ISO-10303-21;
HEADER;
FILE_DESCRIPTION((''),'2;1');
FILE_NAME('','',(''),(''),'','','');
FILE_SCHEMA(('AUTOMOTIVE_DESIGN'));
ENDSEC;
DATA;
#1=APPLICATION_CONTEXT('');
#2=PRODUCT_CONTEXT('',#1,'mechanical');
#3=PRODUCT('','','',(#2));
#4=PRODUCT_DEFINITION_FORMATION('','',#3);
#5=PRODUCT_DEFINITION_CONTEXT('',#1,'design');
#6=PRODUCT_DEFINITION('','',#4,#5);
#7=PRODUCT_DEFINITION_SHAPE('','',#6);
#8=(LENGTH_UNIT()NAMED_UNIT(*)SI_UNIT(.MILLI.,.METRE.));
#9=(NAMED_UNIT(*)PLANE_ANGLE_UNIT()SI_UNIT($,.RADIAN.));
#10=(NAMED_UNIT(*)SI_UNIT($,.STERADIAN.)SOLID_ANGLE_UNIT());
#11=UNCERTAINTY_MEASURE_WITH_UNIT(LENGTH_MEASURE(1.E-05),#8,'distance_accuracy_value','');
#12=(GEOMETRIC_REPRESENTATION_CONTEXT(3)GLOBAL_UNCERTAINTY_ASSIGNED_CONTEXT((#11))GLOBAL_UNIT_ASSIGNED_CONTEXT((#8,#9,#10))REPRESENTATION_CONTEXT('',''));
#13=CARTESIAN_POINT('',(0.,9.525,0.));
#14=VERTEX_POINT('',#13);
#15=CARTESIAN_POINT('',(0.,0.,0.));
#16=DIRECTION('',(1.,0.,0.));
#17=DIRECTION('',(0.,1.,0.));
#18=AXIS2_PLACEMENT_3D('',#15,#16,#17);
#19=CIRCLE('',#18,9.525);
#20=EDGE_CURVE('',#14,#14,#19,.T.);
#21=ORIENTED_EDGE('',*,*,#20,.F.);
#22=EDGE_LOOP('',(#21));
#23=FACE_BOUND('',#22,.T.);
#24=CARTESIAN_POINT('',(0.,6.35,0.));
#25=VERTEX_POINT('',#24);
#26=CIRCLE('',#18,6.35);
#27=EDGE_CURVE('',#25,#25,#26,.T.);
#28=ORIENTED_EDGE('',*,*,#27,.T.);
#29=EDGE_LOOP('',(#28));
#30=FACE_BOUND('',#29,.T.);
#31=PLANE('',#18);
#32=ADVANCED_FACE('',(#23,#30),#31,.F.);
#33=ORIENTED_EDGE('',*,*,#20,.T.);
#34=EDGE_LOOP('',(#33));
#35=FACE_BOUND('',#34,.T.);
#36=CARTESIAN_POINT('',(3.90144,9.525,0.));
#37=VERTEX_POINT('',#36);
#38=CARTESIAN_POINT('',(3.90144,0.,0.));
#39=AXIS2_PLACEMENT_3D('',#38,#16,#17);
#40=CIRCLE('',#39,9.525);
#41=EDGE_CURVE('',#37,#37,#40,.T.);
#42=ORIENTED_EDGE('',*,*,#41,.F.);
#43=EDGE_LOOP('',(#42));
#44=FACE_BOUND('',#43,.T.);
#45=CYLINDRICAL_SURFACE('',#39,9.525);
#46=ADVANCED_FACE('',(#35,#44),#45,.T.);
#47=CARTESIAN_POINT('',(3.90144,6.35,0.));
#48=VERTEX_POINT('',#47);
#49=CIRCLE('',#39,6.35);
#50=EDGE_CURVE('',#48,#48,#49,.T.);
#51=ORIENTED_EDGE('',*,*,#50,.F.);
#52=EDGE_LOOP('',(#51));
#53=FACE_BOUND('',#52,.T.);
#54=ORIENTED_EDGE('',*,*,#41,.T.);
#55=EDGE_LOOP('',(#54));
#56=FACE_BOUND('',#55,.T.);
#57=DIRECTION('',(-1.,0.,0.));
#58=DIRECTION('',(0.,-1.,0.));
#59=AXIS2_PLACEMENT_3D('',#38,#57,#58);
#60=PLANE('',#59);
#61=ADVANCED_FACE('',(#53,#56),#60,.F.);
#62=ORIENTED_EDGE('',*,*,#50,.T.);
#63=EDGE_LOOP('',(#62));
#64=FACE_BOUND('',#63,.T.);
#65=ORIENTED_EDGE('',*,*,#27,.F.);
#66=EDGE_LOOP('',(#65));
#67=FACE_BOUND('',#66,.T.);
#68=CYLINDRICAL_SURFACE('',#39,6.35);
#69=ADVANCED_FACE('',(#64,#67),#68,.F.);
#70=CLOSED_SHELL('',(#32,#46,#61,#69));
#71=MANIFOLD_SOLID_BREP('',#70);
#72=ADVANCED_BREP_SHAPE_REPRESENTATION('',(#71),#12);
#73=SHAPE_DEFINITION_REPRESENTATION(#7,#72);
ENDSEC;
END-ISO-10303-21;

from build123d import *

# Parameters (mm, degrees)
SKETCH1_W = 3.90144
SKETCH1_H = 3.175


with BuildPart() as part:
    # Sketch1 → Revolve1 (revolve)
    with BuildSketch(Plane.XY):
        with Locations((1.95072, 7.9375)):
            Rectangle(SKETCH1_W, SKETCH1_H)
    revolve(axis=Axis((3.90144, 0, 0), (-1, 0, 0)))


solid = part.part
